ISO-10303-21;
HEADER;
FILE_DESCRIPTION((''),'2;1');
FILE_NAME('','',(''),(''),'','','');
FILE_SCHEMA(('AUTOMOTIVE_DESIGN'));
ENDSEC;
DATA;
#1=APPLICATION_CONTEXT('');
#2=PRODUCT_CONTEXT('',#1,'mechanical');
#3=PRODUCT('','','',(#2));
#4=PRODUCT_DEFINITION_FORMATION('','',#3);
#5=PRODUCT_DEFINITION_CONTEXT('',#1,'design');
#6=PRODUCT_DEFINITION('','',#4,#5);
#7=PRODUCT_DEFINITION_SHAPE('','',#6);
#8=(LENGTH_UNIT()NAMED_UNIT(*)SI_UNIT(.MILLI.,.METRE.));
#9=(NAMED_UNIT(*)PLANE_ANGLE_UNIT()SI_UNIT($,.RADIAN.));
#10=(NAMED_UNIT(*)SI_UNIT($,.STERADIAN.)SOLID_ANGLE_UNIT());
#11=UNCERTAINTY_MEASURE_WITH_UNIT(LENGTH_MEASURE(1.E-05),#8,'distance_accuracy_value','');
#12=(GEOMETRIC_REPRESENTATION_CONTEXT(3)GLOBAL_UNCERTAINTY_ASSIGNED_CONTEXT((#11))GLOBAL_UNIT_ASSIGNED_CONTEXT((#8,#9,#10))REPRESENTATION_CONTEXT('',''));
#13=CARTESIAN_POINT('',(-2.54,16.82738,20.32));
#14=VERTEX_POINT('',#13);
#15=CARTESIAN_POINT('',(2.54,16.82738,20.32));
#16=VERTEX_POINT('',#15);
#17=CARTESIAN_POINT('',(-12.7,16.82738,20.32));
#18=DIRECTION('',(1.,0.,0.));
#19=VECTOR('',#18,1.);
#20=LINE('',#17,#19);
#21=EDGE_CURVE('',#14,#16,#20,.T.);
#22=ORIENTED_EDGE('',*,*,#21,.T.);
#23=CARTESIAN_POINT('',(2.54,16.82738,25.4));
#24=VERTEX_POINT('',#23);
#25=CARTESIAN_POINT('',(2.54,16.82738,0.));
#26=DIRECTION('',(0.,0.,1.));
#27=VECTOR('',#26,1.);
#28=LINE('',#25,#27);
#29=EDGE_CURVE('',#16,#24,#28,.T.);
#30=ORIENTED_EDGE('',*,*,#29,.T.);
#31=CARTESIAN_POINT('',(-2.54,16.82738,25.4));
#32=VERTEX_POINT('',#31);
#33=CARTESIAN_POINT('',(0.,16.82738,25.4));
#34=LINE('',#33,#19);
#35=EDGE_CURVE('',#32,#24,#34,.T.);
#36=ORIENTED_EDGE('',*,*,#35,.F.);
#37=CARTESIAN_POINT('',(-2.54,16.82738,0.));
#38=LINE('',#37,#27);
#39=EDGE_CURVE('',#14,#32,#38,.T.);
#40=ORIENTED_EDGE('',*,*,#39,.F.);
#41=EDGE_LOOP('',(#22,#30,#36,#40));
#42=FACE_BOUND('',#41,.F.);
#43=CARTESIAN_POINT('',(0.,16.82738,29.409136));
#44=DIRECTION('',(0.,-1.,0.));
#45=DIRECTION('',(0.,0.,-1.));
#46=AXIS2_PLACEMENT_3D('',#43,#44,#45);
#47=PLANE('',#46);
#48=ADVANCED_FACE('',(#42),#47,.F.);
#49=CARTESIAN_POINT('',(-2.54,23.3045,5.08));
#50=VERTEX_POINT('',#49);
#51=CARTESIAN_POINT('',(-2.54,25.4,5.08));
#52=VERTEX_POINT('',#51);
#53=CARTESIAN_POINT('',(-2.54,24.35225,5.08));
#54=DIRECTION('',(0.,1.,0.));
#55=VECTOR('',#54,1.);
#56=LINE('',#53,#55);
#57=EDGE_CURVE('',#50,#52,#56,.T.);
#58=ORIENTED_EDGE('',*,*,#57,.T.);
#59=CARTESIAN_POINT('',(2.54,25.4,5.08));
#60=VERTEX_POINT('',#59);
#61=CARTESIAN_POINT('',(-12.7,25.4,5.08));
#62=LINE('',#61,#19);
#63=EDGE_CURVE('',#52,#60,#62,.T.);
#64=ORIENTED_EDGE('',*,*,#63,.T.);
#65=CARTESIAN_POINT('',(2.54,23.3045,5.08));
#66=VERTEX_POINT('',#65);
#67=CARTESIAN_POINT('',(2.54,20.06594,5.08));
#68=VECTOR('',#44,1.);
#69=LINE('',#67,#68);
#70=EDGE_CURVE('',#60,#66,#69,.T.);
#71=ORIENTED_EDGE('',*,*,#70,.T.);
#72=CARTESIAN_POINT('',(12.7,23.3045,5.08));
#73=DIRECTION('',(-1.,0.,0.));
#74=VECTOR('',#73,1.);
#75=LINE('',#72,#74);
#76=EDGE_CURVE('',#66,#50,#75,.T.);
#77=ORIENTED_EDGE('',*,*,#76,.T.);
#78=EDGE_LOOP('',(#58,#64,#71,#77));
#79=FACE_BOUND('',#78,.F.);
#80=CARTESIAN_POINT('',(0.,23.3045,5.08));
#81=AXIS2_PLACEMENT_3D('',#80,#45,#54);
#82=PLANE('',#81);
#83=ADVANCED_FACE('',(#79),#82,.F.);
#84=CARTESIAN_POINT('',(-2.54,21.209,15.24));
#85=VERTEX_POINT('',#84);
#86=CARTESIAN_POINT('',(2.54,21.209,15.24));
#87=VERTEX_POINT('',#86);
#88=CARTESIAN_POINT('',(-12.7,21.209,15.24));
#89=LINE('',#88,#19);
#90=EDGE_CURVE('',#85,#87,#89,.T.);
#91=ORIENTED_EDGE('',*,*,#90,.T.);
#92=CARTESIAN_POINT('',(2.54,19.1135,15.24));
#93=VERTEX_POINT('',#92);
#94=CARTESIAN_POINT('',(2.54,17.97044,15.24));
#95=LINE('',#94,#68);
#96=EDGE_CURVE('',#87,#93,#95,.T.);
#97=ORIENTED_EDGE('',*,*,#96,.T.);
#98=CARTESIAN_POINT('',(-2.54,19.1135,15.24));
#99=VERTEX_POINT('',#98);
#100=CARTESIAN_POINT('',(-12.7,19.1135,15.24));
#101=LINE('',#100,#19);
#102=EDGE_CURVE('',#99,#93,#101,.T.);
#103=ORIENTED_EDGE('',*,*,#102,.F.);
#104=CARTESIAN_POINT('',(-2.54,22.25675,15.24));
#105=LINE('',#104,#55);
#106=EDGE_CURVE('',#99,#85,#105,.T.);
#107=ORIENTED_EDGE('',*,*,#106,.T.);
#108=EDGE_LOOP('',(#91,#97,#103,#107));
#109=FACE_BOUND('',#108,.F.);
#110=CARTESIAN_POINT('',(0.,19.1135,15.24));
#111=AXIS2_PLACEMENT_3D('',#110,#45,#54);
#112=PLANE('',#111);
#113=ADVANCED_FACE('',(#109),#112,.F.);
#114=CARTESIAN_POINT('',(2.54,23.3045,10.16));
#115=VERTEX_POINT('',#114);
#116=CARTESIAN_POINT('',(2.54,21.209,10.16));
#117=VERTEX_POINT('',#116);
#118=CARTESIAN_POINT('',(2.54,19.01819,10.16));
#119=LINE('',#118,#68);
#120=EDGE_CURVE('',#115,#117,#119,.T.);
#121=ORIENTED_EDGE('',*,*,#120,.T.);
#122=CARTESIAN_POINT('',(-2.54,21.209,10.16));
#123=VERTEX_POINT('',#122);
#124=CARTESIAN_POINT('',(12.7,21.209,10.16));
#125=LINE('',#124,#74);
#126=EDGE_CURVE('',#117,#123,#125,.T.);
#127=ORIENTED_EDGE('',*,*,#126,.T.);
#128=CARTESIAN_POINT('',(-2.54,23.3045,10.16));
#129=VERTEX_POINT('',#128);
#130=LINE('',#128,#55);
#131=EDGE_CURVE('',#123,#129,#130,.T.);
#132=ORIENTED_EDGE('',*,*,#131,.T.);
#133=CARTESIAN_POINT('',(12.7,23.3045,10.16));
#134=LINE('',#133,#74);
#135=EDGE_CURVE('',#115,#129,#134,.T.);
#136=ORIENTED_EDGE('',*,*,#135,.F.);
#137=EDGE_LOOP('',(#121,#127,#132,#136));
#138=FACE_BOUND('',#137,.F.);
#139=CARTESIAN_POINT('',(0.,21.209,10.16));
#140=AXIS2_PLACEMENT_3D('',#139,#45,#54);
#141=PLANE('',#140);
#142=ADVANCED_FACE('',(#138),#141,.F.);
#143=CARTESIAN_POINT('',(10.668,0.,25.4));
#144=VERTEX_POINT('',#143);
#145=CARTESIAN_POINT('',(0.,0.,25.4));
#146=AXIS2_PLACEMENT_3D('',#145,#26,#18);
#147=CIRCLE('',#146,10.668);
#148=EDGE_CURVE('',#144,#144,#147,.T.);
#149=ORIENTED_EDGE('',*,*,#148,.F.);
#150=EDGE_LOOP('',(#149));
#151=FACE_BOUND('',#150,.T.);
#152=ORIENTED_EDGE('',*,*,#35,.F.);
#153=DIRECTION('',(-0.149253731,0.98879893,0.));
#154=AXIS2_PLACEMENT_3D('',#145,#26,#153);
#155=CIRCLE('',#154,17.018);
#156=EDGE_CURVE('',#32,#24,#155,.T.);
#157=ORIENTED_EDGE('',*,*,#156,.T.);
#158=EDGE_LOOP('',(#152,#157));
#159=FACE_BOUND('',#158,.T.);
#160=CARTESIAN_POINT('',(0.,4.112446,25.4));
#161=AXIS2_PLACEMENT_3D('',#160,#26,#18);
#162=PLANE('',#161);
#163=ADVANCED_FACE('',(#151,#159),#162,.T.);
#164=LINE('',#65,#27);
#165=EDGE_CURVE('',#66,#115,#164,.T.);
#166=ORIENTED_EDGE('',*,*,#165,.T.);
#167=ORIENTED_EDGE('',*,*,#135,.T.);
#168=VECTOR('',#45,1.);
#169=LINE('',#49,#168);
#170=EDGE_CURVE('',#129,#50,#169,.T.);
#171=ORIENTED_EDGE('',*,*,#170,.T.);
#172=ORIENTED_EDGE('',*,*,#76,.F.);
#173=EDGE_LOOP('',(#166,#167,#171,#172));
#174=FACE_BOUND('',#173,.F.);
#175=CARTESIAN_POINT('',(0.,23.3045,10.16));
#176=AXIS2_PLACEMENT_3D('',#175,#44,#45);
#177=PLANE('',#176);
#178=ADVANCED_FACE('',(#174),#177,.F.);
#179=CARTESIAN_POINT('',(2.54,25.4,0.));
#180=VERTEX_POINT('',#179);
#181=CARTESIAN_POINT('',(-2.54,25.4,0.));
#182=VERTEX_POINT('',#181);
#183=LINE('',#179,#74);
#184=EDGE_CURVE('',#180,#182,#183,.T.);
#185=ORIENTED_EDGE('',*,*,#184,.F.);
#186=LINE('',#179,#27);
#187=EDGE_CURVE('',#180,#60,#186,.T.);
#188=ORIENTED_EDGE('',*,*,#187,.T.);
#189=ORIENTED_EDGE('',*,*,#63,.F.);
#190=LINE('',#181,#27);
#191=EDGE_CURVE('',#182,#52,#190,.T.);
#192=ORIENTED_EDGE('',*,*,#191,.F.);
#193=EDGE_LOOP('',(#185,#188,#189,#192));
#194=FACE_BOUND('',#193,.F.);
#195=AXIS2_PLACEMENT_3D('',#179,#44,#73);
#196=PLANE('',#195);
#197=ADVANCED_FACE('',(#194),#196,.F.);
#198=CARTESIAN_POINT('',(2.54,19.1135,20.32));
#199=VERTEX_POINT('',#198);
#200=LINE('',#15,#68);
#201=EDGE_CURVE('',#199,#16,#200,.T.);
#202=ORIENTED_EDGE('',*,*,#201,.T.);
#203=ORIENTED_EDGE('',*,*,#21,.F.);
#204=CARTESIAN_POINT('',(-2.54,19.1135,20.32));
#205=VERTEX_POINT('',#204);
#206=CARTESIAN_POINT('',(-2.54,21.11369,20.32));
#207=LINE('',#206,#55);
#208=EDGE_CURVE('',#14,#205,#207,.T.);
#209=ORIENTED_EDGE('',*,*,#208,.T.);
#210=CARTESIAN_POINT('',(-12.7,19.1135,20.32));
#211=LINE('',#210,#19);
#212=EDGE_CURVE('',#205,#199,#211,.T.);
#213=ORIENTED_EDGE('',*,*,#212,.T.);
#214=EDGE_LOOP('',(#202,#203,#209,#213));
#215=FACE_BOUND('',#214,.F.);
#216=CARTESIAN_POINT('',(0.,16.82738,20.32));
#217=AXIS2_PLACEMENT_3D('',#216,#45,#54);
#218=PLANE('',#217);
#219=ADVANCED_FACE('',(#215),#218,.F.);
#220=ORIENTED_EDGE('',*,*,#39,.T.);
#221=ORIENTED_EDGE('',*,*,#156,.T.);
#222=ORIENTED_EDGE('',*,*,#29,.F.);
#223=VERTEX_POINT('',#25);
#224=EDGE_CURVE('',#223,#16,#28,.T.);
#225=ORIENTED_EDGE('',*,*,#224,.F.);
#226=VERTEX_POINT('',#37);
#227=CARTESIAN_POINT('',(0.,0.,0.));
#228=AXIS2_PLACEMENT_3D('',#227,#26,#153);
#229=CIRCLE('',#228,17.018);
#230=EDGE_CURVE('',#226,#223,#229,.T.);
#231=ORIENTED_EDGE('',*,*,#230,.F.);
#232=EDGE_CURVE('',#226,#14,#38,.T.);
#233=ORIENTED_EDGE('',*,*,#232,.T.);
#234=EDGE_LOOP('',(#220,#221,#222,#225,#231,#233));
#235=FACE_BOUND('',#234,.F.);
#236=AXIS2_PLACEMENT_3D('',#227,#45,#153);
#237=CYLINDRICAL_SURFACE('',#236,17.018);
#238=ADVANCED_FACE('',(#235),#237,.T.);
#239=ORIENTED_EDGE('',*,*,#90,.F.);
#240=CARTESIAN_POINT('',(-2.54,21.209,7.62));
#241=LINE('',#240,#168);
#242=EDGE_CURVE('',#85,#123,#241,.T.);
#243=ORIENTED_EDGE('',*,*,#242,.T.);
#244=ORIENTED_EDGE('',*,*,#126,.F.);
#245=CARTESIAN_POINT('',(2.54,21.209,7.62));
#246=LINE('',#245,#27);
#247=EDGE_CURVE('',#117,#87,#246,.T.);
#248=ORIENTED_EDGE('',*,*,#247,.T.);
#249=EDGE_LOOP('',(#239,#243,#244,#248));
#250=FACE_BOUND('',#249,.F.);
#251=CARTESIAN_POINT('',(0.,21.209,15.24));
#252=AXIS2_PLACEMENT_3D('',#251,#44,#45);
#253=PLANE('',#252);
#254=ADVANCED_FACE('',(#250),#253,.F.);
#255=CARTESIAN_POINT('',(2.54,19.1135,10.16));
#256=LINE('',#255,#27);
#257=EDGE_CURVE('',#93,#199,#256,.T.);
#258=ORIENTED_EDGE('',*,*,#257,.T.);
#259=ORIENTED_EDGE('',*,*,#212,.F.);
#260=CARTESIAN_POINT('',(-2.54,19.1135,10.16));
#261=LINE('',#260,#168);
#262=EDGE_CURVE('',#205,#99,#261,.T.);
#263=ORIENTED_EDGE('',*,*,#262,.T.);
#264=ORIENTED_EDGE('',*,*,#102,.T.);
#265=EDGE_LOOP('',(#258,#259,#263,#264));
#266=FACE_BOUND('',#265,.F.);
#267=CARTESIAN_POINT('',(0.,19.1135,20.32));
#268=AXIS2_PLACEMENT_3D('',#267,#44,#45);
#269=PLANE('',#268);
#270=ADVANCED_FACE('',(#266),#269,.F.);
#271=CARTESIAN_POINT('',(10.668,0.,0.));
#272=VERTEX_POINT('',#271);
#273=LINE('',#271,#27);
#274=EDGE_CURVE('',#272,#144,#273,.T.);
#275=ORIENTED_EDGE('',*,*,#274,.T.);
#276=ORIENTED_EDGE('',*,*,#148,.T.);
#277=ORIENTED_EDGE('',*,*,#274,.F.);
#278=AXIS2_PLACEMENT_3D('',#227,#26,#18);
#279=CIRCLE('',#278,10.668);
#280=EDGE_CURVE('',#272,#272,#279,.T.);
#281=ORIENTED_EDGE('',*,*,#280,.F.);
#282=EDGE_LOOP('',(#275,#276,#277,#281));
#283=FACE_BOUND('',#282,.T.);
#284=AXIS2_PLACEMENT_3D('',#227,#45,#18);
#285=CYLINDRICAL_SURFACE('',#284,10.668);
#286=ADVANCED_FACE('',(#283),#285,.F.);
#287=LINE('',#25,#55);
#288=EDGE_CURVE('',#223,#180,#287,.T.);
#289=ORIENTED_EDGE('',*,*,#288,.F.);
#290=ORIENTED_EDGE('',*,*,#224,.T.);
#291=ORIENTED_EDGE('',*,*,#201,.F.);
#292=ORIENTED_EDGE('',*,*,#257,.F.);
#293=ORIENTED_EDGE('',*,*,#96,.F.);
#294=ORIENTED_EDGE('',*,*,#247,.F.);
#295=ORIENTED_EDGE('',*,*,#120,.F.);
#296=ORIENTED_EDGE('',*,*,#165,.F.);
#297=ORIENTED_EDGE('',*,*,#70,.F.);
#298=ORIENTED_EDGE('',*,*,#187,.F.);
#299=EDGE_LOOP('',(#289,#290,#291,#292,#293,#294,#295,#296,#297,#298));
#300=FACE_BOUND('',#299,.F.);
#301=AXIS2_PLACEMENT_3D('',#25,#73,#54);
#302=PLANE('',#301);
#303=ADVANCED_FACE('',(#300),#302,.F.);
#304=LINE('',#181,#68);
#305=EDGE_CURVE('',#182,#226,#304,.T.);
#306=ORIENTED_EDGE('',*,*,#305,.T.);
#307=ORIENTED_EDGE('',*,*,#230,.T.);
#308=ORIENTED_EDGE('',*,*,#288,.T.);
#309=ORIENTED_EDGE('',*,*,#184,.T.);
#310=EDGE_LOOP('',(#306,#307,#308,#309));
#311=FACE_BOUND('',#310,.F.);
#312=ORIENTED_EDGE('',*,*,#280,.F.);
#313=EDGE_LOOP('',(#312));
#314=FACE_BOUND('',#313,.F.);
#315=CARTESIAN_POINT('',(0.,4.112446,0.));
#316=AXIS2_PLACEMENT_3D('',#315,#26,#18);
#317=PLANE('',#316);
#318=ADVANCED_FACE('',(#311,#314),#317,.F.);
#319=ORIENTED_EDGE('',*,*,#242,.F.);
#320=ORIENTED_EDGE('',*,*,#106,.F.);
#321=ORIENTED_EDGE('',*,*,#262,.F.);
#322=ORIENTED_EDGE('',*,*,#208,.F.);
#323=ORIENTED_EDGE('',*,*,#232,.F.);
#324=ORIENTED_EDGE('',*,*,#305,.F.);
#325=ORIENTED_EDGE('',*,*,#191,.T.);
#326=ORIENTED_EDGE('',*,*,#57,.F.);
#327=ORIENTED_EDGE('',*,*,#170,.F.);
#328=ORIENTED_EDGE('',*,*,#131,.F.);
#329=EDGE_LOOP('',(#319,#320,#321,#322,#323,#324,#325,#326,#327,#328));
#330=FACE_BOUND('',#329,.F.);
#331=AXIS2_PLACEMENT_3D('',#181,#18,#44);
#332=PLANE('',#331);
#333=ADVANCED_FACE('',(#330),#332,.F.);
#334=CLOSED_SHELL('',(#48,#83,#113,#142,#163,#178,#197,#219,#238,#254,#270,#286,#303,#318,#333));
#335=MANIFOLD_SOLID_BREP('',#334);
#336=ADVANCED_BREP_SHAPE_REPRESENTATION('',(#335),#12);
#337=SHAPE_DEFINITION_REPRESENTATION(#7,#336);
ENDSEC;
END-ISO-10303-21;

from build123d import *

# Parameters (mm, degrees)
F0_R     = 10.668
F1_DEPTH = 25.4
F3_DEPTH = 12.7


with BuildPart() as f1:
    # F0 (on Top) → F1 (new body)
    with BuildSketch(Plane.XY):
        with BuildLine():
            Line((-2.54, 25.4), (-2.54, 16.8273801883))
            ThreePointArc((-2.54, 16.8273801883), (0, -17.018), (2.54, 16.8273801883))
            Line((2.54, 16.8273801883), (2.54, 25.4))
            Line((2.54, 25.4), (-2.54, 25.4))
        make_face()
        Circle(F0_R, mode=Mode.SUBTRACT)
    extrude(amount=F1_DEPTH)

    # F2 (on Right) → F3 (cut, symmetric)
    with BuildSketch(Plane.YZ):
        Polygon((23.3045, 5.08), (25.4, 5.08), (25.4, 0), (25.4, -8.07502307), (34.9588990211, -8.07502307), (34.9588990211, 29.4091364962), (16.8273801883, 29.4091364962), (16.8273801883, 20.32), (19.1135, 20.32), (19.1135, 15.24), (21.209, 15.24), (21.209, 10.16), (23.3045, 10.16), align=None)
    extrude(amount=F3_DEPTH, both=True, mode=Mode.SUBTRACT)


solid = f1.part
